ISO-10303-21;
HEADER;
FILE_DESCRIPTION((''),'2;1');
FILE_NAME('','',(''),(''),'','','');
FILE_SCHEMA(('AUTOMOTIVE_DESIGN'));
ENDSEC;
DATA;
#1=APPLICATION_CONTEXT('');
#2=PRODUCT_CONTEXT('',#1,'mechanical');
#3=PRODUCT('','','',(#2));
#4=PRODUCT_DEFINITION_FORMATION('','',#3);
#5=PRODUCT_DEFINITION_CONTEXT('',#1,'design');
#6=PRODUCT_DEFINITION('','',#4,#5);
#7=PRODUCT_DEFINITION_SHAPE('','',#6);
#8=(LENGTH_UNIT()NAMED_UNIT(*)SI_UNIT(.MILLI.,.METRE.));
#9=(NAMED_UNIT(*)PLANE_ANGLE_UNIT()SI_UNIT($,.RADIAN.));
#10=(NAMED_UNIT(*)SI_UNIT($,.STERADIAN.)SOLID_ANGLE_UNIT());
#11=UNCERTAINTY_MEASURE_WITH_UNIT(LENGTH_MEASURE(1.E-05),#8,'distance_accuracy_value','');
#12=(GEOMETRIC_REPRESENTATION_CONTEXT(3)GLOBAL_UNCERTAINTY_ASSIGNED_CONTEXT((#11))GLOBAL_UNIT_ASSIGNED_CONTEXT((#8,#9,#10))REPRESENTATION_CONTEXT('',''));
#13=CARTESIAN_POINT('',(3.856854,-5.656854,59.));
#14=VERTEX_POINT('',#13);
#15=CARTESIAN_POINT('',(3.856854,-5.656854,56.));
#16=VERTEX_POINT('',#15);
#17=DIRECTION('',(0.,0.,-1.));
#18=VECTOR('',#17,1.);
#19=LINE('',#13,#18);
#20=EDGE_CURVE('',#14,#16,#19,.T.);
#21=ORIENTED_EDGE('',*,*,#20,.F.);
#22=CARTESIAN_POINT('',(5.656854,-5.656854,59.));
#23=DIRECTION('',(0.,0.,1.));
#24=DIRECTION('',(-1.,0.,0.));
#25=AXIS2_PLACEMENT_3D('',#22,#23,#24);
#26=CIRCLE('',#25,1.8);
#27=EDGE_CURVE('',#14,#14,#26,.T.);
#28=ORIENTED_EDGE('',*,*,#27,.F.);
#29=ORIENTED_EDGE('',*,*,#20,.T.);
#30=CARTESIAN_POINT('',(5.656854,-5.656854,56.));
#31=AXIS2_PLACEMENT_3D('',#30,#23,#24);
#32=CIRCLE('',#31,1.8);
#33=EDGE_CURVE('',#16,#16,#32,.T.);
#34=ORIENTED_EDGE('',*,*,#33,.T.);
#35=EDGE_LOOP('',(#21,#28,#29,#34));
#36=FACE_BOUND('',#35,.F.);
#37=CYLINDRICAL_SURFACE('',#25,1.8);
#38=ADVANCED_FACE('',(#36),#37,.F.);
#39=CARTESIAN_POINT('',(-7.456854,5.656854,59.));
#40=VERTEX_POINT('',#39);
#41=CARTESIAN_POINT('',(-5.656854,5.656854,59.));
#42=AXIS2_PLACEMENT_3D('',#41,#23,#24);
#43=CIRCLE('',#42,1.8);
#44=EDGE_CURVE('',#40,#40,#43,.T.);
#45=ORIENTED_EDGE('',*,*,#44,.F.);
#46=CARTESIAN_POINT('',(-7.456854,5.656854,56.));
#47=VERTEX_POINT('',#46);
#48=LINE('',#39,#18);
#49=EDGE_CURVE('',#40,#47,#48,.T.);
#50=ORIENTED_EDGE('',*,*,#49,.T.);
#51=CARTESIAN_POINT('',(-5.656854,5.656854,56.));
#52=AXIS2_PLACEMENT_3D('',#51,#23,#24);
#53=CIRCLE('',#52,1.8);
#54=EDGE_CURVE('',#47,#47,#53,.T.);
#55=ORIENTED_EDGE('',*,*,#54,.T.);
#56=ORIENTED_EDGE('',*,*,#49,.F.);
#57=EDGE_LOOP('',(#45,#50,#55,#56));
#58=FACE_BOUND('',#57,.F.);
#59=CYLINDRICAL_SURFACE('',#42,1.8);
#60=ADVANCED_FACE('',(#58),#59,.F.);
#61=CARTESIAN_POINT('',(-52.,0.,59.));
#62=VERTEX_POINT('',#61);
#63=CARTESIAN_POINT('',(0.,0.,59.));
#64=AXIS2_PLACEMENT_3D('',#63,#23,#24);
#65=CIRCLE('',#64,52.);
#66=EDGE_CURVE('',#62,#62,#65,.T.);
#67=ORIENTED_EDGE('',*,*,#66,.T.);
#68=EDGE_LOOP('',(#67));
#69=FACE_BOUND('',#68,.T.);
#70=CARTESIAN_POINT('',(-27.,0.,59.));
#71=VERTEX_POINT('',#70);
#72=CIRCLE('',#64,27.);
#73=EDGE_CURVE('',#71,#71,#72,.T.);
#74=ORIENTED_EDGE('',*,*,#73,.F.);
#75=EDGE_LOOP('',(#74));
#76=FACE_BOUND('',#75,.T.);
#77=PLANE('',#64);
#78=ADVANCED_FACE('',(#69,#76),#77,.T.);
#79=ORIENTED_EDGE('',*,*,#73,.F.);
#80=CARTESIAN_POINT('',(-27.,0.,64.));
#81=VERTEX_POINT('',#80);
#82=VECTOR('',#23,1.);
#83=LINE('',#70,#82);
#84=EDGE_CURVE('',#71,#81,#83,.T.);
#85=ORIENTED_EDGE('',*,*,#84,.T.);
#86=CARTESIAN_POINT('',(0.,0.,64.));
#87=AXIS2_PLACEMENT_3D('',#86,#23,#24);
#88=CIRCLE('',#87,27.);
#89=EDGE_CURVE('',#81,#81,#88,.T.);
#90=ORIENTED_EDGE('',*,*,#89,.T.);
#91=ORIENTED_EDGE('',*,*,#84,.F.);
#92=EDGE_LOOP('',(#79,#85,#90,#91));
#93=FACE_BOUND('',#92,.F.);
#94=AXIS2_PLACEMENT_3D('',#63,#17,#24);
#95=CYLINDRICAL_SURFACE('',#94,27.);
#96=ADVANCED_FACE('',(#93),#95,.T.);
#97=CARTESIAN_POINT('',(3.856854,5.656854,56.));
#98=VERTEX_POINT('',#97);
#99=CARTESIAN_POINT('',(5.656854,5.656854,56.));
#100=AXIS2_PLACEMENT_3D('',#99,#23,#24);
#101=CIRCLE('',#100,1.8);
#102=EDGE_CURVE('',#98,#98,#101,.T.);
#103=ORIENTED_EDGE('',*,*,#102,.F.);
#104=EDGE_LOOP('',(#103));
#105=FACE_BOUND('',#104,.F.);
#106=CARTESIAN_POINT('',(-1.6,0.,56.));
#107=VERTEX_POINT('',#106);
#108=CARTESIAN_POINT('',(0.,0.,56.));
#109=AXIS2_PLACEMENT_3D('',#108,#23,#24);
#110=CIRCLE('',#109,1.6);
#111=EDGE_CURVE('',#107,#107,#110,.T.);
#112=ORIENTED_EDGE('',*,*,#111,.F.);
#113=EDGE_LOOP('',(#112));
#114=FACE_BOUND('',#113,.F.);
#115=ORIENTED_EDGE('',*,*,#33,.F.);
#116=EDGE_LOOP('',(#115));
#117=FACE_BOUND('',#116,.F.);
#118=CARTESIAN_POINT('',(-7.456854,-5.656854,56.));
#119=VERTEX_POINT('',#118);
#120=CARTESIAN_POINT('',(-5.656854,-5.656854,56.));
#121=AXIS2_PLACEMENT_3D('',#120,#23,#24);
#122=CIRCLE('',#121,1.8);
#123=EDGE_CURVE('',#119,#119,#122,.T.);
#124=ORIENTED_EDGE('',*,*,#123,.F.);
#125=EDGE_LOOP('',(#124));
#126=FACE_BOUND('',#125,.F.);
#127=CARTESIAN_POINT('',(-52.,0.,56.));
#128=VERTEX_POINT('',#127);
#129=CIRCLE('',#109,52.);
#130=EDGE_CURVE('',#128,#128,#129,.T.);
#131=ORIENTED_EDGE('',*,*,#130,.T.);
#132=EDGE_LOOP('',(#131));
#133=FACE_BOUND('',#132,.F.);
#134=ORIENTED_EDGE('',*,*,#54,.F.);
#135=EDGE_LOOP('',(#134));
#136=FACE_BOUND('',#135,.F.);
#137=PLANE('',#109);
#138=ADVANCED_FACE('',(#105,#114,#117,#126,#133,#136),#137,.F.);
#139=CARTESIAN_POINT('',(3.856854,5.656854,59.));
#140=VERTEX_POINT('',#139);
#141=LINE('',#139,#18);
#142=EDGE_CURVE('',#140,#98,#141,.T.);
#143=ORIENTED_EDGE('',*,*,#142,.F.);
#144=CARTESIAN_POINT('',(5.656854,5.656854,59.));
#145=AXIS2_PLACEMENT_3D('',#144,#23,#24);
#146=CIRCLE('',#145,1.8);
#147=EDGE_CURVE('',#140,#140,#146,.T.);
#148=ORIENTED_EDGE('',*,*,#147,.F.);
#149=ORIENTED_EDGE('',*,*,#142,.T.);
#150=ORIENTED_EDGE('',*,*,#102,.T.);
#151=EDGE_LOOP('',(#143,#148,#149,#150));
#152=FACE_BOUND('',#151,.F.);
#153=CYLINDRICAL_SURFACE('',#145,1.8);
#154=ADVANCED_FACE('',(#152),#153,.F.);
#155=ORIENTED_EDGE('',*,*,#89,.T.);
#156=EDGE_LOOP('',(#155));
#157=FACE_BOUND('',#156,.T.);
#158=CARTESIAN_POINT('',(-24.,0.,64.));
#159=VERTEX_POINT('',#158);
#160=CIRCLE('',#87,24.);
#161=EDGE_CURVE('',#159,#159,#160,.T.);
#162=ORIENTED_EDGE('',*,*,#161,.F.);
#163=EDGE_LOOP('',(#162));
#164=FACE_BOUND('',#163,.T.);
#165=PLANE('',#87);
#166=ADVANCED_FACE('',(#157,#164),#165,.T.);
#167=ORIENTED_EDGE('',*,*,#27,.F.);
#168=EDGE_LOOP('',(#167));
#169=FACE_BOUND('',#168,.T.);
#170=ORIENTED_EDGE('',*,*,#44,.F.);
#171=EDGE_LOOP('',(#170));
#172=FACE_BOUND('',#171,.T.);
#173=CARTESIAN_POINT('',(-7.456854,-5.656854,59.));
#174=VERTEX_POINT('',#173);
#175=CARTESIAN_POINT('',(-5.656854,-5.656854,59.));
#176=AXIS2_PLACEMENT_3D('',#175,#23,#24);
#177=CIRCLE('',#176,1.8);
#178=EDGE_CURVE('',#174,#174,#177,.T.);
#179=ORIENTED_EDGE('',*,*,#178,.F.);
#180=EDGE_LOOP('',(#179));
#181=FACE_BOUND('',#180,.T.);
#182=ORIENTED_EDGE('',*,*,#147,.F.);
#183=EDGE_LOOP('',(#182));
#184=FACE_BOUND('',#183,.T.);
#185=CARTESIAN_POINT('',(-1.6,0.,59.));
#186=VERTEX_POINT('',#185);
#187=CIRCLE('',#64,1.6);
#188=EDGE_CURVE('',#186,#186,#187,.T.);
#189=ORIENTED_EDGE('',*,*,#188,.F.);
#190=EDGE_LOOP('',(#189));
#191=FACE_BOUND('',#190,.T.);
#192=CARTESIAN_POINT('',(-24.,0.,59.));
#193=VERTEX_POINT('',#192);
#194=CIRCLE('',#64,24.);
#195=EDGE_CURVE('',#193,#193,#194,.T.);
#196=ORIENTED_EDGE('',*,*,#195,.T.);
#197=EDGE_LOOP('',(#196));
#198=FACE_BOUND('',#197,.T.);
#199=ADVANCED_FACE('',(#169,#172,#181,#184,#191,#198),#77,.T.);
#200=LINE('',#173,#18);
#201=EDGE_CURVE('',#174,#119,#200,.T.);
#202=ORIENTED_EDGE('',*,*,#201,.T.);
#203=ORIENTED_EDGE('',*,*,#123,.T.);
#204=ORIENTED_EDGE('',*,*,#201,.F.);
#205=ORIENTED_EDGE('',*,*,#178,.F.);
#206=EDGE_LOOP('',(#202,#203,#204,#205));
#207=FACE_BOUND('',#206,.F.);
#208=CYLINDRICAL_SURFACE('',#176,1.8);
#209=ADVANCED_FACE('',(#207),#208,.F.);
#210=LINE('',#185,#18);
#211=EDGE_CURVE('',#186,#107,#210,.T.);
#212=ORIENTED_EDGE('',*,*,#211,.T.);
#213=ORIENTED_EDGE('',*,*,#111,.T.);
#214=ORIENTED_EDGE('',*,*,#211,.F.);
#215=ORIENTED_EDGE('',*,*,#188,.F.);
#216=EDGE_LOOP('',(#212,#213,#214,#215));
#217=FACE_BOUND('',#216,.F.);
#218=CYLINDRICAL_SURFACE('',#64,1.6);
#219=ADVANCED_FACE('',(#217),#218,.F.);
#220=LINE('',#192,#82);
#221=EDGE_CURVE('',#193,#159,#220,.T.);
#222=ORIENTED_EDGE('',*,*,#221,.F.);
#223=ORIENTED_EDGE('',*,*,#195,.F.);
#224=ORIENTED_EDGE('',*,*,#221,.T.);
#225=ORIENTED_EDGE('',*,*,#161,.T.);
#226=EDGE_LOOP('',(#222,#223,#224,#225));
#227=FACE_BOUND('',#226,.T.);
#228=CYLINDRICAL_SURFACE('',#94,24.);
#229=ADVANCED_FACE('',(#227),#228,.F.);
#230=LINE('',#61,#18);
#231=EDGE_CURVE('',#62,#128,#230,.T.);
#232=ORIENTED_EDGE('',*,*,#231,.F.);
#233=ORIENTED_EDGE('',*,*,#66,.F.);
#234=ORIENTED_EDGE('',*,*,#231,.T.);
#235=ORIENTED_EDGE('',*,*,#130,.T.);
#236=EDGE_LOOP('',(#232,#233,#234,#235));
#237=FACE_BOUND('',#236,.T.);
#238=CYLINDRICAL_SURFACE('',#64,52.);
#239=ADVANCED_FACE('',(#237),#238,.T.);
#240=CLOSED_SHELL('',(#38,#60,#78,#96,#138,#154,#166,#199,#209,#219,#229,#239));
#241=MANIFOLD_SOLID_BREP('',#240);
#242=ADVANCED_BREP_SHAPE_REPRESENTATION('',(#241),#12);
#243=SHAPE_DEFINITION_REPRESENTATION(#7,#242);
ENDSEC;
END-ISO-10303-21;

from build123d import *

# Parameters (mm, degrees)
SKETCH001_R          = 52
SKETCH001_R_2        = 1.6
PAD001_DEPTH         = 3
SKETCH_R             = 27
SKETCH_R_2           = 24
PAD_DEPTH            = 5
SKETCH002_R          = 1.8
POCKET_DEPTH         = 5
BODY_PLACEMENT_ANGLE = 180


with BuildPart() as part:
    # Sketch001 → Pad001 (new body)
    with BuildSketch(Plane.XY):
        Circle(SKETCH001_R)
        Circle(SKETCH001_R_2, mode=Mode.SUBTRACT)
    extrude(amount=-PAD001_DEPTH)

    # Sketch → Pad (join)
    with BuildSketch(Plane.XY):
        Circle(SKETCH_R)
        Circle(SKETCH_R_2, mode=Mode.SUBTRACT)
    extrude(amount=PAD_DEPTH)

    # Sketch002 → Pocket (cut)
    with BuildSketch(Plane.XY):
        with Locations((5.656854, 5.656854)):
            Circle(SKETCH002_R)
        with Locations((-5.656854, 5.656854)):
            Circle(SKETCH002_R)
        with Locations((-5.656854, -5.656854)):
            Circle(SKETCH002_R)
        with Locations((5.656854, -5.656854)):
            Circle(SKETCH002_R)
    extrude(amount=-POCKET_DEPTH, mode=Mode.SUBTRACT)


with BuildPart() as part_1:
    # Body placement: moved
    add(part.part.moved(Location((0, 0, 59))).rotate(Axis((0, 0, 59), (0, 0, -1)), BODY_PLACEMENT_ANGLE))


solid = part_1.part
